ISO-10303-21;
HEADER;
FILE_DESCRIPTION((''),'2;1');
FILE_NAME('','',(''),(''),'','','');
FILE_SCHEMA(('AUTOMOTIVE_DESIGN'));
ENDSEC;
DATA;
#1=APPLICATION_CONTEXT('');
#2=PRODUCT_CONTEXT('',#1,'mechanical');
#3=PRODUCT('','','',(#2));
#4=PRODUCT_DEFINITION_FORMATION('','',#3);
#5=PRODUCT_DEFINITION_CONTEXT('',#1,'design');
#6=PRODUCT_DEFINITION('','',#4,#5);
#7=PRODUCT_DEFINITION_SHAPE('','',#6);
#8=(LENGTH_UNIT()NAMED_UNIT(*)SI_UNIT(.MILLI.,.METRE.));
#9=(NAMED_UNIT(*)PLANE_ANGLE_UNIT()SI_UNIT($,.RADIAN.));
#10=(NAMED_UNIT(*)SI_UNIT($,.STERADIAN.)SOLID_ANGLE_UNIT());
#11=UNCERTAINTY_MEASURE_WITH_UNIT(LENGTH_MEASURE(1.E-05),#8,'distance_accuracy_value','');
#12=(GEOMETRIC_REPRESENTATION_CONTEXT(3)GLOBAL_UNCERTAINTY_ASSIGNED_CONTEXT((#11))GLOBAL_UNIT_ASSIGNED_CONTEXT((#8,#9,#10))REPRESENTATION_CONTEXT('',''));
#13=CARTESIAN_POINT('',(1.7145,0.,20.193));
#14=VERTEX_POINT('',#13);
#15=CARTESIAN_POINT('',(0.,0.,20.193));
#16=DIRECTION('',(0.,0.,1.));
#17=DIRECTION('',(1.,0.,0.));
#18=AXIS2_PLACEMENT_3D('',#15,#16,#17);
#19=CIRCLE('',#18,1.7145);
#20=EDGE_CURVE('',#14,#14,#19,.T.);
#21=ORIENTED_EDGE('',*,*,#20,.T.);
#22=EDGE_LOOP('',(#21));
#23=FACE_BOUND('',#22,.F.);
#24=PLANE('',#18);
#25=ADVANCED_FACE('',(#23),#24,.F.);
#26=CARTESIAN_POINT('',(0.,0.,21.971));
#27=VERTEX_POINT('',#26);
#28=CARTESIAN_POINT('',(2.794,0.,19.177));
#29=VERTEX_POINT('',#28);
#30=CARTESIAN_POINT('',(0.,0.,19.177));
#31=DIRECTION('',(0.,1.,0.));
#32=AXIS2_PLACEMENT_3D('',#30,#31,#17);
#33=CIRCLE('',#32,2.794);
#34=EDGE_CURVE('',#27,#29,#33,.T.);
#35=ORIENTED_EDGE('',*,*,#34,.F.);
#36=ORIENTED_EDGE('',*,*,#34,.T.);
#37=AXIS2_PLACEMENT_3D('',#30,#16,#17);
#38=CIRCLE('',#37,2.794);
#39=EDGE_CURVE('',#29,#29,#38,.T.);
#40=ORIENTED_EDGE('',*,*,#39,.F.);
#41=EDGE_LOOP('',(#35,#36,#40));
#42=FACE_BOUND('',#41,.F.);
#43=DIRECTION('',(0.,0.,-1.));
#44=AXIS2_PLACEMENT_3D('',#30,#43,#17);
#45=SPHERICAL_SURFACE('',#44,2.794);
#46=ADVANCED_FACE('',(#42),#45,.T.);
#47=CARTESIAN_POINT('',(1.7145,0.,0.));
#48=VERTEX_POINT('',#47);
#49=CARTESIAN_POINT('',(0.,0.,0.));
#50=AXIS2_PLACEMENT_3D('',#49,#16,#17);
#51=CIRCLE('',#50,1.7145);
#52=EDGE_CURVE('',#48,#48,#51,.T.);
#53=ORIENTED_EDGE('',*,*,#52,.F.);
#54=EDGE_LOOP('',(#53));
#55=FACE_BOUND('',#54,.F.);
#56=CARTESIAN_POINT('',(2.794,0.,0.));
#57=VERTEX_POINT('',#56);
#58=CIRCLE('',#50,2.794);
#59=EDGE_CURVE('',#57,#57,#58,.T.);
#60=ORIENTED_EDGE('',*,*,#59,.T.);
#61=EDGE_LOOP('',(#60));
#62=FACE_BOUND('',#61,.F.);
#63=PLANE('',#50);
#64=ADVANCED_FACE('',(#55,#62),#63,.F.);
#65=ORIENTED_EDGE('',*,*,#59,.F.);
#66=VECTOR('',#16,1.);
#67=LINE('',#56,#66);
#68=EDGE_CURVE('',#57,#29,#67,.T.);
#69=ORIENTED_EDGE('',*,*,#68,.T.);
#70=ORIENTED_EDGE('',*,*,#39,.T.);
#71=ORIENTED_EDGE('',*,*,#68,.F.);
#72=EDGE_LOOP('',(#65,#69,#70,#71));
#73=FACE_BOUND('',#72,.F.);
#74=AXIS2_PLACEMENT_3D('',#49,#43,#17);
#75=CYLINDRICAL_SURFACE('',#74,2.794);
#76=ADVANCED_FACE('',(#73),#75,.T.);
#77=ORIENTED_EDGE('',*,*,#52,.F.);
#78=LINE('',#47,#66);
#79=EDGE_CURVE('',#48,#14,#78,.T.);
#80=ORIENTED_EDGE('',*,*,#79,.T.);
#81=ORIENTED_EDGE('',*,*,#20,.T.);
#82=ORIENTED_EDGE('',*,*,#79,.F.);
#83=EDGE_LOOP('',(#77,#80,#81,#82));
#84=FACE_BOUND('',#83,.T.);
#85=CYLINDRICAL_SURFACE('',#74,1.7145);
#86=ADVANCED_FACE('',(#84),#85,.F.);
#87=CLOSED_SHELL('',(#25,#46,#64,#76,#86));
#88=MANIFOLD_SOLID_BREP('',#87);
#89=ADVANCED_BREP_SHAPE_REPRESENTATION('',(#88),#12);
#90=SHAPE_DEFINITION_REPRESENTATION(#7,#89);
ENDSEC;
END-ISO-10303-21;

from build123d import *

# Parameters (mm, degrees)
F0_R     = 2.794
F0_R_2   = 1.7145
F1_DEPTH = 21.971
F2_R     = 1.7145
F3_DEPTH = 1.778
F4_R     = 2.794


with BuildPart() as f1:
    # F0 (on Top) → F1 (new body)
    with BuildSketch(Plane.XY):
        Circle(F0_R)
        Circle(F0_R_2, mode=Mode.SUBTRACT)
    extrude(amount=F1_DEPTH)

    # F2 (on face) → F3 (join)
    with BuildSketch(Plane.XY.offset(21.971)):
        Circle(F2_R)
    extrude(amount=-F3_DEPTH)

    # F4
    f4_edges = [f1.edges().sort_by_distance(p)[0] for p in [
        (-2.794, 0, 21.971),
    ]]
    fillet(f4_edges, radius=F4_R)


solid = f1.part
